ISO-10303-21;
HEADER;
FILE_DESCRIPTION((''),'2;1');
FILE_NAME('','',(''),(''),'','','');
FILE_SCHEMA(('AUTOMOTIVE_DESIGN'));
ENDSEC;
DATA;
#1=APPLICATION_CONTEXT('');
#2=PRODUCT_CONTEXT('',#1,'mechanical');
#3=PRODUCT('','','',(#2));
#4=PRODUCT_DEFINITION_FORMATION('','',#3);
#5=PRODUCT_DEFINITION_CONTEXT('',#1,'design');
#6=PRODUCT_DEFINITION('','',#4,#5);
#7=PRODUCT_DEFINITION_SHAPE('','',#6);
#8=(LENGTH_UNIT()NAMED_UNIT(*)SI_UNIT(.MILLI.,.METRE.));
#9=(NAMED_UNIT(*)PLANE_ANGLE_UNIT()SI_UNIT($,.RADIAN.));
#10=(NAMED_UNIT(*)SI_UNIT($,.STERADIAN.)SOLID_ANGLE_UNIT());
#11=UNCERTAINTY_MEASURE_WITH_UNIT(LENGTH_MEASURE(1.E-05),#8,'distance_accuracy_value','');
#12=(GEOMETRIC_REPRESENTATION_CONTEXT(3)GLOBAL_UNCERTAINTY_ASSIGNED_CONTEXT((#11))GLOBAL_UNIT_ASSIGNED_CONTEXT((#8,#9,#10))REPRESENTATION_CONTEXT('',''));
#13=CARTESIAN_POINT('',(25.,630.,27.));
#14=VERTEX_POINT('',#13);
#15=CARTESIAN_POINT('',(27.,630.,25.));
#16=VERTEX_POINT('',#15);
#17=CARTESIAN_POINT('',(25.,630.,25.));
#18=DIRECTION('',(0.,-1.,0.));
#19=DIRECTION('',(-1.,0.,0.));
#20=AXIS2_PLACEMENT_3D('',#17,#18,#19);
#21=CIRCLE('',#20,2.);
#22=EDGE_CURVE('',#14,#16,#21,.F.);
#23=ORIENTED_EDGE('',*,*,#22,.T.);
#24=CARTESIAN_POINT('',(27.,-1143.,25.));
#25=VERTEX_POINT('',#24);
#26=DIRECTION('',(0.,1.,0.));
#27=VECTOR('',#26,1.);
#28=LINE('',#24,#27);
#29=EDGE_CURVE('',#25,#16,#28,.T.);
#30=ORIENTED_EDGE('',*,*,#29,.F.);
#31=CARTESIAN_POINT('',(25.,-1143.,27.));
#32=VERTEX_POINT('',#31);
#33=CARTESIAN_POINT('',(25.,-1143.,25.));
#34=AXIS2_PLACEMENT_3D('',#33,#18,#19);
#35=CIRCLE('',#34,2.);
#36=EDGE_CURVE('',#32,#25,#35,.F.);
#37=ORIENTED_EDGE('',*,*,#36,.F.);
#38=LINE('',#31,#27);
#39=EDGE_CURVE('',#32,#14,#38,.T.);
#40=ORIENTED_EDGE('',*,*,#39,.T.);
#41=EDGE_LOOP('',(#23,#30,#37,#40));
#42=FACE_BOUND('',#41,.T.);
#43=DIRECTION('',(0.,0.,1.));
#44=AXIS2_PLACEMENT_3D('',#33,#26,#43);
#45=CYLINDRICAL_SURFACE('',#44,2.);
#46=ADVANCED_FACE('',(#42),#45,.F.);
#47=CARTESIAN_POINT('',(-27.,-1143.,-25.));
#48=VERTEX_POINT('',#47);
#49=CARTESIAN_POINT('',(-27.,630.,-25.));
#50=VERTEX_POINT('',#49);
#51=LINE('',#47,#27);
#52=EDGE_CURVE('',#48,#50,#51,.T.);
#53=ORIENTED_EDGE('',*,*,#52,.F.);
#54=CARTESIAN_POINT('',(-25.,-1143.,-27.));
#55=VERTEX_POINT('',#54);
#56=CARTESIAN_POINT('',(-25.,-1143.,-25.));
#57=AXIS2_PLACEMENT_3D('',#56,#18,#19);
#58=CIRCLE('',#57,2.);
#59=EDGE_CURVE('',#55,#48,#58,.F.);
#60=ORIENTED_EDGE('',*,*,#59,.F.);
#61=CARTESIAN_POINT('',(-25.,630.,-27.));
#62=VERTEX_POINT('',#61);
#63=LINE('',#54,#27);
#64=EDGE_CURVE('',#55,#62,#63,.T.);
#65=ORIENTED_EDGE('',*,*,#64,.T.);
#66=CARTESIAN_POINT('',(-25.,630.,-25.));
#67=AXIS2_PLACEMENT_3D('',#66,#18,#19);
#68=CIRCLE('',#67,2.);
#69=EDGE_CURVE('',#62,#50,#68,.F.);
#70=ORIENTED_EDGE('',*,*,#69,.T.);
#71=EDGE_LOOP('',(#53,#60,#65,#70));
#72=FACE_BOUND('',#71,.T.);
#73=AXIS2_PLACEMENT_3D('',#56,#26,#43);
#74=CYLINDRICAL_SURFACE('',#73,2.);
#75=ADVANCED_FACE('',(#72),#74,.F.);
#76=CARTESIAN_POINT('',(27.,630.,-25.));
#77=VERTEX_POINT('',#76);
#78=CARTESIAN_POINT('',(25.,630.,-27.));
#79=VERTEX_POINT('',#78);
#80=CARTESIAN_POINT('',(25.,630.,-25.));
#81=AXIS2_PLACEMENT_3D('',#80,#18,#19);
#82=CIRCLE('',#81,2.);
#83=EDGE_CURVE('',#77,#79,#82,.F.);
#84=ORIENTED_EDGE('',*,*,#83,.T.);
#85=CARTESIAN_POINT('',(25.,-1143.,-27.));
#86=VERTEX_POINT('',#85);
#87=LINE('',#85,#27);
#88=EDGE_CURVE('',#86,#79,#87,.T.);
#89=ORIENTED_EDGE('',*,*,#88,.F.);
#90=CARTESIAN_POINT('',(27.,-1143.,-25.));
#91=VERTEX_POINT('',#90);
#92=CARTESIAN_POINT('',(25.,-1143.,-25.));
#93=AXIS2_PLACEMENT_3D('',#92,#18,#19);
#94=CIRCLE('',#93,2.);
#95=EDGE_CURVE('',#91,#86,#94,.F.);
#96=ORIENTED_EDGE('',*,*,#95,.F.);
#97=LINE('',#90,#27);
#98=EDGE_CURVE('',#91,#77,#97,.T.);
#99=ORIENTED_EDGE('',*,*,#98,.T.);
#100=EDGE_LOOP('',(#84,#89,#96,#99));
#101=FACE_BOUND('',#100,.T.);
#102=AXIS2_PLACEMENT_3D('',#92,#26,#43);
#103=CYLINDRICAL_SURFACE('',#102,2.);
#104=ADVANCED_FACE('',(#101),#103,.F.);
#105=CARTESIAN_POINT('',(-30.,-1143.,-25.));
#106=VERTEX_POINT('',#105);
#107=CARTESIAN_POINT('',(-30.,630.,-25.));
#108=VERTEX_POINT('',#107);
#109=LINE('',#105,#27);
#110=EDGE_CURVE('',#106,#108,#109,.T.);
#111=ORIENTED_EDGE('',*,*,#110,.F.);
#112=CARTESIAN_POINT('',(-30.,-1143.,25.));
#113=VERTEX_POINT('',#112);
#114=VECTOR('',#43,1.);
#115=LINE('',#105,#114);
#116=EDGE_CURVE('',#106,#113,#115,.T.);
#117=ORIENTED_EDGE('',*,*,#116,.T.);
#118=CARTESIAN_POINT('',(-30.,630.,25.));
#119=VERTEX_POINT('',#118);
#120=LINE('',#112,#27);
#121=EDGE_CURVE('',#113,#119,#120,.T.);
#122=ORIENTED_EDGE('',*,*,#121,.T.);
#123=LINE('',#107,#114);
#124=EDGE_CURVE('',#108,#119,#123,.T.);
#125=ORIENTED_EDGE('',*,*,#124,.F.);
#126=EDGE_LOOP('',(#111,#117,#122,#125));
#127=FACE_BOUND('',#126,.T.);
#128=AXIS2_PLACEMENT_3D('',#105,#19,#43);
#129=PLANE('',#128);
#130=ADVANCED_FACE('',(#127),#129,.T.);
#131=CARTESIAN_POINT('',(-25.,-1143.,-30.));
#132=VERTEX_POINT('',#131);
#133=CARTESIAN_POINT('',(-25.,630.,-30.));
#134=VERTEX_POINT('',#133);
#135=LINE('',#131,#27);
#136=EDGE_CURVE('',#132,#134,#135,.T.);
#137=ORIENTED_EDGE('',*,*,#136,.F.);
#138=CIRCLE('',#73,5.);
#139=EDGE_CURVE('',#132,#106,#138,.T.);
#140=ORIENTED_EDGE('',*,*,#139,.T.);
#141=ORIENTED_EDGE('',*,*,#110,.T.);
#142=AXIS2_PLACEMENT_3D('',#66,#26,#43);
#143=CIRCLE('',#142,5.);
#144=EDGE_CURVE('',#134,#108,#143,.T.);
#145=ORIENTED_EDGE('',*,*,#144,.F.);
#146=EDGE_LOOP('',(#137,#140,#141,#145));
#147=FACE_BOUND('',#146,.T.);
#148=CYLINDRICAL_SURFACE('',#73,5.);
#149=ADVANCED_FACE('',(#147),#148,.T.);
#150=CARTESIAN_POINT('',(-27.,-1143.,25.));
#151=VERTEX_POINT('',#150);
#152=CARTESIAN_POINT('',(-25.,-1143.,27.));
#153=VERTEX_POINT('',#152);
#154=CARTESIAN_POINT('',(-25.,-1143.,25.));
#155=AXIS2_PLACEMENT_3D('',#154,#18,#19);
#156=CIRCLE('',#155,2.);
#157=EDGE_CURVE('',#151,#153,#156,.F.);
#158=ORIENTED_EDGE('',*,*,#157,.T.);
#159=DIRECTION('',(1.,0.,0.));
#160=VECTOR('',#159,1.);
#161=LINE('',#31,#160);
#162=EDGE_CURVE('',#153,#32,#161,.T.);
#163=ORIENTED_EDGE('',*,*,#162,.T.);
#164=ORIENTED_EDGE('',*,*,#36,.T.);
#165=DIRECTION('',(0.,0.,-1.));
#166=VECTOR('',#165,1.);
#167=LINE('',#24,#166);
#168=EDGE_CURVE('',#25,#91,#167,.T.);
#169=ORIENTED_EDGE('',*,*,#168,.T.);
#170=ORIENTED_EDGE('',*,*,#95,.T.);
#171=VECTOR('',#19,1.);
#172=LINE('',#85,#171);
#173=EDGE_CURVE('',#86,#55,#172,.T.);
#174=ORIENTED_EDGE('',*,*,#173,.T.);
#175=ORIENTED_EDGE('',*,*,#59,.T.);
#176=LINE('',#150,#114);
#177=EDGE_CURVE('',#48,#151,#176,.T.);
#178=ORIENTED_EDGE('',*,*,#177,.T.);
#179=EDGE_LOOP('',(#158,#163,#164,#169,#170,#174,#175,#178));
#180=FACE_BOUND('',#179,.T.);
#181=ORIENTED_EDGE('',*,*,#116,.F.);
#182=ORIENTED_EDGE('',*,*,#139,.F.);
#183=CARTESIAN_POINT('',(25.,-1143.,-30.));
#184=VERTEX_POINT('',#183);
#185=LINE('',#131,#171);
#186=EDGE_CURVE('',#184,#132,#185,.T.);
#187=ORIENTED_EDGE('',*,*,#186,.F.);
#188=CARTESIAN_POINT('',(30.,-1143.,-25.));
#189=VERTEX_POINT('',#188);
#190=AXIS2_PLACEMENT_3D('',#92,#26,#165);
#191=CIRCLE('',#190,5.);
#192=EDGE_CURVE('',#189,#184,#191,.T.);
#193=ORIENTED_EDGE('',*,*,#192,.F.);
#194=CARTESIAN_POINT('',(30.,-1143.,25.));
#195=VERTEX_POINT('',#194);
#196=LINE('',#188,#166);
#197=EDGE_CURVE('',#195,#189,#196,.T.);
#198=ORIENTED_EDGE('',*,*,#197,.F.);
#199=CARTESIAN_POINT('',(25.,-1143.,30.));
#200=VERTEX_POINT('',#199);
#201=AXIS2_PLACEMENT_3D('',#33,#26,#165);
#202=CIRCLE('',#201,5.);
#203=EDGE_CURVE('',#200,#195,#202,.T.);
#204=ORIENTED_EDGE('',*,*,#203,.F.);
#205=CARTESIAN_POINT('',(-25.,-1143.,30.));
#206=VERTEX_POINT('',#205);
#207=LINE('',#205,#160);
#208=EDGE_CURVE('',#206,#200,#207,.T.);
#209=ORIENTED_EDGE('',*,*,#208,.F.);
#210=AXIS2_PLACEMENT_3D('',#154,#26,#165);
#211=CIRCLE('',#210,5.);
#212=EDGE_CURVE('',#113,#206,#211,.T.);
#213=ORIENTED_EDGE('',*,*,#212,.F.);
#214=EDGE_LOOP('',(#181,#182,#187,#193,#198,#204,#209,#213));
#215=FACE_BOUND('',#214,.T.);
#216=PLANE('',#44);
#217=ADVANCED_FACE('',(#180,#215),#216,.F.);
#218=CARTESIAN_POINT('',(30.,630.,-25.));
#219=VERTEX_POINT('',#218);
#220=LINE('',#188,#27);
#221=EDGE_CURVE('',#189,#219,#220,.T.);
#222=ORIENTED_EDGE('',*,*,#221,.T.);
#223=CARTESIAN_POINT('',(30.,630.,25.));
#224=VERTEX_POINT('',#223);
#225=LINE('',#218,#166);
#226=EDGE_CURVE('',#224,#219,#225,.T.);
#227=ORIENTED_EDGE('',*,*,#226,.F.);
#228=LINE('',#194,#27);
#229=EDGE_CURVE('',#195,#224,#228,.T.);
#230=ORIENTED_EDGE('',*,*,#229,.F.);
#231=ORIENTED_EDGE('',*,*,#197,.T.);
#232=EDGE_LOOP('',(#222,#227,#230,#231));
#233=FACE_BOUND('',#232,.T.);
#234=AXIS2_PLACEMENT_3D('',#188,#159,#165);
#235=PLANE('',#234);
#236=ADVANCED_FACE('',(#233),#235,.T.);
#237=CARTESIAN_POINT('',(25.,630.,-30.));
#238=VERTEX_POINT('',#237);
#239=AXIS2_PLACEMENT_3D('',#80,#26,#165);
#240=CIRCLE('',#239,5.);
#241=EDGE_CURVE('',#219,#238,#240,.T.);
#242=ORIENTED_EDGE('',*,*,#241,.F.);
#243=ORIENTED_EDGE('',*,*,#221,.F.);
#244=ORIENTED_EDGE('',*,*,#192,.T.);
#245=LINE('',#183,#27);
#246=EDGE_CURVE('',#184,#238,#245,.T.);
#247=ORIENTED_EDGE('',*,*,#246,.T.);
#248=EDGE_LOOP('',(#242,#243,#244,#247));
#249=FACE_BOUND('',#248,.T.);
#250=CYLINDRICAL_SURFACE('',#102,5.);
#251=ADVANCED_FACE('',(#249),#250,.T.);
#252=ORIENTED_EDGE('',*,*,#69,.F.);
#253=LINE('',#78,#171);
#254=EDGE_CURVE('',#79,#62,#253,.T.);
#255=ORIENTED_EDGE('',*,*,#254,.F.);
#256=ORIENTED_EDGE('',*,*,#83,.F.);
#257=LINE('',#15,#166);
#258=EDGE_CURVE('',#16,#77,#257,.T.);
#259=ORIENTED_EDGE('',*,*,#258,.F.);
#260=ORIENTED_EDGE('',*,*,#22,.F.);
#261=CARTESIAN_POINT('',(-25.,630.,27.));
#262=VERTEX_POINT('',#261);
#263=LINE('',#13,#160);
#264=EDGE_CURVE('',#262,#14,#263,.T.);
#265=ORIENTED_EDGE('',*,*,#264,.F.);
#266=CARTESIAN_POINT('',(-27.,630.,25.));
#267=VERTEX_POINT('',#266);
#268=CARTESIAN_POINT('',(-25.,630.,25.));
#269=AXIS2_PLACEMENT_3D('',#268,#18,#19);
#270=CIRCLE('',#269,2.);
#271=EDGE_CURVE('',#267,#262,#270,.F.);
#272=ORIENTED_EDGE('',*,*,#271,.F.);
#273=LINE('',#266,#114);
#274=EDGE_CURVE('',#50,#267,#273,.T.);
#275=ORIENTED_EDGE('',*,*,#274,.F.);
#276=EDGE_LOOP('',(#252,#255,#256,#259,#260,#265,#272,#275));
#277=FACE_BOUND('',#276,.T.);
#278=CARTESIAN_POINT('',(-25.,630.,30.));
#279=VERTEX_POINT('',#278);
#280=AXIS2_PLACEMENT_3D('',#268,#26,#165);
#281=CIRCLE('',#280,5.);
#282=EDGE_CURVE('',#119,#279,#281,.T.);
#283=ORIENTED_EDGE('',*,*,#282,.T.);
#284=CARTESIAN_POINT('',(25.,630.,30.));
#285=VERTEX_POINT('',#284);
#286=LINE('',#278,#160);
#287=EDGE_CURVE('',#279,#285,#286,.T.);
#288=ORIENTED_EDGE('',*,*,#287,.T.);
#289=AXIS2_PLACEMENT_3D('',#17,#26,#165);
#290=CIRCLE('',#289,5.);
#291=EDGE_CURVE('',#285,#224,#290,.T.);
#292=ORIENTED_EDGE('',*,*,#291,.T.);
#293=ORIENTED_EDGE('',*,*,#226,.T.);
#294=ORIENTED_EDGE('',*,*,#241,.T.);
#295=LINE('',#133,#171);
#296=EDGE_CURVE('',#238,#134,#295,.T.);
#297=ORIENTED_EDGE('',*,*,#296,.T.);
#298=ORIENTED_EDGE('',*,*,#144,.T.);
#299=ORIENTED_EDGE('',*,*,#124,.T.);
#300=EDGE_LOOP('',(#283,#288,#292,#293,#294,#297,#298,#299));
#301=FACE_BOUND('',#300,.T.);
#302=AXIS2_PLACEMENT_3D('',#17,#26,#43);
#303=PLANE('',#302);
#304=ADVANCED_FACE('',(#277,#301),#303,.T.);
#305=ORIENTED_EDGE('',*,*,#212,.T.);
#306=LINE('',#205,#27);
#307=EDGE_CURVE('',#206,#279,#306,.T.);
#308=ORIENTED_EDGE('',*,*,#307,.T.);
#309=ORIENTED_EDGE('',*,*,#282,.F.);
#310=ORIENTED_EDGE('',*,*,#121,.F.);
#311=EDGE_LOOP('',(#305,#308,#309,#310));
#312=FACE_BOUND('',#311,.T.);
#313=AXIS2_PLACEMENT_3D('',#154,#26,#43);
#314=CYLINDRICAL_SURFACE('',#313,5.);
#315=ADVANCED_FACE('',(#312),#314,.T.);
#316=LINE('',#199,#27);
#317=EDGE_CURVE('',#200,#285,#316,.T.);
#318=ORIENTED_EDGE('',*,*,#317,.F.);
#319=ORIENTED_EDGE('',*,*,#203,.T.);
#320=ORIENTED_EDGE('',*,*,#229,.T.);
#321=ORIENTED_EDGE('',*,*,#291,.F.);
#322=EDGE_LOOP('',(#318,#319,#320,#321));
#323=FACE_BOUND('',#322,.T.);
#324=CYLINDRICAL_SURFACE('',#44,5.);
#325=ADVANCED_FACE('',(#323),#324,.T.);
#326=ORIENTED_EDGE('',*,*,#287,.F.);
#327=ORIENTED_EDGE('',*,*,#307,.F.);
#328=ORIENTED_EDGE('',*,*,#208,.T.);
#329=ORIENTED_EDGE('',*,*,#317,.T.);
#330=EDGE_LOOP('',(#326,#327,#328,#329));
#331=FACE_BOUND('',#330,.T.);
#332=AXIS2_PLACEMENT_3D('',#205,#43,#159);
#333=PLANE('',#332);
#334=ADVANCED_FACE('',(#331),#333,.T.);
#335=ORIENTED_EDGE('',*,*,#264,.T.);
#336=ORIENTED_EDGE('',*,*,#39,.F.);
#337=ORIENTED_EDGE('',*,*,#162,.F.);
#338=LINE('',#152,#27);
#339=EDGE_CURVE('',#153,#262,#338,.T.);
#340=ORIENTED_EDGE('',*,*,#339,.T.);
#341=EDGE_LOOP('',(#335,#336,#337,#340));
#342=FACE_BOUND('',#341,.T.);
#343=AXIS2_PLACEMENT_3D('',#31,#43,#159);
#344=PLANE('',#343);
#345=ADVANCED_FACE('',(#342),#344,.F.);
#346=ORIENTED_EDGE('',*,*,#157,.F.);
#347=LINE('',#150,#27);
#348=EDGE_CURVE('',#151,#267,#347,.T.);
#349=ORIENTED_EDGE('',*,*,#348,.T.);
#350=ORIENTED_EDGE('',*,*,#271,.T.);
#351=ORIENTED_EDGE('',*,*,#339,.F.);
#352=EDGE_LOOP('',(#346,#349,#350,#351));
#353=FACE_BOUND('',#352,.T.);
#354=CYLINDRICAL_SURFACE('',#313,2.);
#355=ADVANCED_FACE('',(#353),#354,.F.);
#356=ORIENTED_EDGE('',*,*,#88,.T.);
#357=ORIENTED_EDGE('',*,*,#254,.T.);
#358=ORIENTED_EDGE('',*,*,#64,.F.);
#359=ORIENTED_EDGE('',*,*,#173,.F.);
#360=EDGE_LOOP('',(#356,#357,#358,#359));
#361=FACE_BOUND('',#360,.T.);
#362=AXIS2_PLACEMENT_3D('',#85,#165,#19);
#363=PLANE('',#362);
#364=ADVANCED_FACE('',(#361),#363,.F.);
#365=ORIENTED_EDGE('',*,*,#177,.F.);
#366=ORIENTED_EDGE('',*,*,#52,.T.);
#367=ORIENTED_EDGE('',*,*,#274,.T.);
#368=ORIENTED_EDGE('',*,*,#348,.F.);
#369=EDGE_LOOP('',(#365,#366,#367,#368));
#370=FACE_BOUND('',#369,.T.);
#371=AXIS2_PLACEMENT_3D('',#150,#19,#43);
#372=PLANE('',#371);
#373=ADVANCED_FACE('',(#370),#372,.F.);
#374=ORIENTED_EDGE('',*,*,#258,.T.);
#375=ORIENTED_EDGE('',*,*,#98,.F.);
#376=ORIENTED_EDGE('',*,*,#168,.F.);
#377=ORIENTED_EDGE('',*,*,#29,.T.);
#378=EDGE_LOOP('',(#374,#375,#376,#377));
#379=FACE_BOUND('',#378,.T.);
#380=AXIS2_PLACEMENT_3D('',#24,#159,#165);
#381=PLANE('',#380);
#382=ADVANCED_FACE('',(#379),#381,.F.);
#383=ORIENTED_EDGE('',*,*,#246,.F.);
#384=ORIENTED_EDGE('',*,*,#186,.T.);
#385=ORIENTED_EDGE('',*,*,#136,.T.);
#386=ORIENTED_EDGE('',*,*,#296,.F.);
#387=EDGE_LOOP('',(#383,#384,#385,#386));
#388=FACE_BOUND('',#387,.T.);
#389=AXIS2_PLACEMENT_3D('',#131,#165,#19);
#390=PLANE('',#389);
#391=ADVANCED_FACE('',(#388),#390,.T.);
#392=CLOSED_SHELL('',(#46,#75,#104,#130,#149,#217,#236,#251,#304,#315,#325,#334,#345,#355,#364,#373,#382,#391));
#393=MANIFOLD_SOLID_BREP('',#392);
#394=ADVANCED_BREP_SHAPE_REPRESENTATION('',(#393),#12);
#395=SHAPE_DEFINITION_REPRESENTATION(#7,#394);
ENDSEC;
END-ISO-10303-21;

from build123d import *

# Parameters (mm, degrees)
EXTRUDE_THIN1_DEPTH      = 630
EXTRUDE_THIN1_DEPTH_BACK = 1143


with BuildPart() as part:
    # Sketch1 → Extrude-Thin1 (new, two sides: drawn at the far end of the back side and taken through both)
    with BuildSketch(Plane(origin=(0, 0, 0), x_dir=(1, 0, 0), z_dir=(0, 1, 0)).offset(-EXTRUDE_THIN1_DEPTH_BACK)):
        with BuildLine():
            Line((-30, -25), (-30, 25))
            ThreePointArc((-30, 25), (-28.535533906, 28.535533906), (-25, 30))
            Line((-25, 30), (25, 30))
            ThreePointArc((25, 30), (28.535533906, 28.535533906), (30, 25))
            Line((30, 25), (30, -25))
            ThreePointArc((30, -25), (28.535533906, -28.535533906), (25, -30))
            Line((25, -30), (-25, -30))
            ThreePointArc((-25, -30), (-28.535533906, -28.535533906), (-30, -25))
        make_face()
        with BuildLine():
            Line((-27, -25), (-27, 25))
            ThreePointArc((-27, 25), (-26.414213562, 26.414213562), (-25, 27))
            Line((-25, 27), (25, 27))
            ThreePointArc((25, 27), (26.414213562, 26.414213562), (27, 25))
            Line((27, 25), (27, -25))
            ThreePointArc((27, -25), (26.414213562, -26.414213562), (25, -27))
            Line((25, -27), (-25, -27))
            ThreePointArc((-25, -27), (-26.414213562, -26.414213562), (-27, -25))
        make_face(mode=Mode.SUBTRACT)
    extrude(amount=EXTRUDE_THIN1_DEPTH + EXTRUDE_THIN1_DEPTH_BACK)


solid = part.part
